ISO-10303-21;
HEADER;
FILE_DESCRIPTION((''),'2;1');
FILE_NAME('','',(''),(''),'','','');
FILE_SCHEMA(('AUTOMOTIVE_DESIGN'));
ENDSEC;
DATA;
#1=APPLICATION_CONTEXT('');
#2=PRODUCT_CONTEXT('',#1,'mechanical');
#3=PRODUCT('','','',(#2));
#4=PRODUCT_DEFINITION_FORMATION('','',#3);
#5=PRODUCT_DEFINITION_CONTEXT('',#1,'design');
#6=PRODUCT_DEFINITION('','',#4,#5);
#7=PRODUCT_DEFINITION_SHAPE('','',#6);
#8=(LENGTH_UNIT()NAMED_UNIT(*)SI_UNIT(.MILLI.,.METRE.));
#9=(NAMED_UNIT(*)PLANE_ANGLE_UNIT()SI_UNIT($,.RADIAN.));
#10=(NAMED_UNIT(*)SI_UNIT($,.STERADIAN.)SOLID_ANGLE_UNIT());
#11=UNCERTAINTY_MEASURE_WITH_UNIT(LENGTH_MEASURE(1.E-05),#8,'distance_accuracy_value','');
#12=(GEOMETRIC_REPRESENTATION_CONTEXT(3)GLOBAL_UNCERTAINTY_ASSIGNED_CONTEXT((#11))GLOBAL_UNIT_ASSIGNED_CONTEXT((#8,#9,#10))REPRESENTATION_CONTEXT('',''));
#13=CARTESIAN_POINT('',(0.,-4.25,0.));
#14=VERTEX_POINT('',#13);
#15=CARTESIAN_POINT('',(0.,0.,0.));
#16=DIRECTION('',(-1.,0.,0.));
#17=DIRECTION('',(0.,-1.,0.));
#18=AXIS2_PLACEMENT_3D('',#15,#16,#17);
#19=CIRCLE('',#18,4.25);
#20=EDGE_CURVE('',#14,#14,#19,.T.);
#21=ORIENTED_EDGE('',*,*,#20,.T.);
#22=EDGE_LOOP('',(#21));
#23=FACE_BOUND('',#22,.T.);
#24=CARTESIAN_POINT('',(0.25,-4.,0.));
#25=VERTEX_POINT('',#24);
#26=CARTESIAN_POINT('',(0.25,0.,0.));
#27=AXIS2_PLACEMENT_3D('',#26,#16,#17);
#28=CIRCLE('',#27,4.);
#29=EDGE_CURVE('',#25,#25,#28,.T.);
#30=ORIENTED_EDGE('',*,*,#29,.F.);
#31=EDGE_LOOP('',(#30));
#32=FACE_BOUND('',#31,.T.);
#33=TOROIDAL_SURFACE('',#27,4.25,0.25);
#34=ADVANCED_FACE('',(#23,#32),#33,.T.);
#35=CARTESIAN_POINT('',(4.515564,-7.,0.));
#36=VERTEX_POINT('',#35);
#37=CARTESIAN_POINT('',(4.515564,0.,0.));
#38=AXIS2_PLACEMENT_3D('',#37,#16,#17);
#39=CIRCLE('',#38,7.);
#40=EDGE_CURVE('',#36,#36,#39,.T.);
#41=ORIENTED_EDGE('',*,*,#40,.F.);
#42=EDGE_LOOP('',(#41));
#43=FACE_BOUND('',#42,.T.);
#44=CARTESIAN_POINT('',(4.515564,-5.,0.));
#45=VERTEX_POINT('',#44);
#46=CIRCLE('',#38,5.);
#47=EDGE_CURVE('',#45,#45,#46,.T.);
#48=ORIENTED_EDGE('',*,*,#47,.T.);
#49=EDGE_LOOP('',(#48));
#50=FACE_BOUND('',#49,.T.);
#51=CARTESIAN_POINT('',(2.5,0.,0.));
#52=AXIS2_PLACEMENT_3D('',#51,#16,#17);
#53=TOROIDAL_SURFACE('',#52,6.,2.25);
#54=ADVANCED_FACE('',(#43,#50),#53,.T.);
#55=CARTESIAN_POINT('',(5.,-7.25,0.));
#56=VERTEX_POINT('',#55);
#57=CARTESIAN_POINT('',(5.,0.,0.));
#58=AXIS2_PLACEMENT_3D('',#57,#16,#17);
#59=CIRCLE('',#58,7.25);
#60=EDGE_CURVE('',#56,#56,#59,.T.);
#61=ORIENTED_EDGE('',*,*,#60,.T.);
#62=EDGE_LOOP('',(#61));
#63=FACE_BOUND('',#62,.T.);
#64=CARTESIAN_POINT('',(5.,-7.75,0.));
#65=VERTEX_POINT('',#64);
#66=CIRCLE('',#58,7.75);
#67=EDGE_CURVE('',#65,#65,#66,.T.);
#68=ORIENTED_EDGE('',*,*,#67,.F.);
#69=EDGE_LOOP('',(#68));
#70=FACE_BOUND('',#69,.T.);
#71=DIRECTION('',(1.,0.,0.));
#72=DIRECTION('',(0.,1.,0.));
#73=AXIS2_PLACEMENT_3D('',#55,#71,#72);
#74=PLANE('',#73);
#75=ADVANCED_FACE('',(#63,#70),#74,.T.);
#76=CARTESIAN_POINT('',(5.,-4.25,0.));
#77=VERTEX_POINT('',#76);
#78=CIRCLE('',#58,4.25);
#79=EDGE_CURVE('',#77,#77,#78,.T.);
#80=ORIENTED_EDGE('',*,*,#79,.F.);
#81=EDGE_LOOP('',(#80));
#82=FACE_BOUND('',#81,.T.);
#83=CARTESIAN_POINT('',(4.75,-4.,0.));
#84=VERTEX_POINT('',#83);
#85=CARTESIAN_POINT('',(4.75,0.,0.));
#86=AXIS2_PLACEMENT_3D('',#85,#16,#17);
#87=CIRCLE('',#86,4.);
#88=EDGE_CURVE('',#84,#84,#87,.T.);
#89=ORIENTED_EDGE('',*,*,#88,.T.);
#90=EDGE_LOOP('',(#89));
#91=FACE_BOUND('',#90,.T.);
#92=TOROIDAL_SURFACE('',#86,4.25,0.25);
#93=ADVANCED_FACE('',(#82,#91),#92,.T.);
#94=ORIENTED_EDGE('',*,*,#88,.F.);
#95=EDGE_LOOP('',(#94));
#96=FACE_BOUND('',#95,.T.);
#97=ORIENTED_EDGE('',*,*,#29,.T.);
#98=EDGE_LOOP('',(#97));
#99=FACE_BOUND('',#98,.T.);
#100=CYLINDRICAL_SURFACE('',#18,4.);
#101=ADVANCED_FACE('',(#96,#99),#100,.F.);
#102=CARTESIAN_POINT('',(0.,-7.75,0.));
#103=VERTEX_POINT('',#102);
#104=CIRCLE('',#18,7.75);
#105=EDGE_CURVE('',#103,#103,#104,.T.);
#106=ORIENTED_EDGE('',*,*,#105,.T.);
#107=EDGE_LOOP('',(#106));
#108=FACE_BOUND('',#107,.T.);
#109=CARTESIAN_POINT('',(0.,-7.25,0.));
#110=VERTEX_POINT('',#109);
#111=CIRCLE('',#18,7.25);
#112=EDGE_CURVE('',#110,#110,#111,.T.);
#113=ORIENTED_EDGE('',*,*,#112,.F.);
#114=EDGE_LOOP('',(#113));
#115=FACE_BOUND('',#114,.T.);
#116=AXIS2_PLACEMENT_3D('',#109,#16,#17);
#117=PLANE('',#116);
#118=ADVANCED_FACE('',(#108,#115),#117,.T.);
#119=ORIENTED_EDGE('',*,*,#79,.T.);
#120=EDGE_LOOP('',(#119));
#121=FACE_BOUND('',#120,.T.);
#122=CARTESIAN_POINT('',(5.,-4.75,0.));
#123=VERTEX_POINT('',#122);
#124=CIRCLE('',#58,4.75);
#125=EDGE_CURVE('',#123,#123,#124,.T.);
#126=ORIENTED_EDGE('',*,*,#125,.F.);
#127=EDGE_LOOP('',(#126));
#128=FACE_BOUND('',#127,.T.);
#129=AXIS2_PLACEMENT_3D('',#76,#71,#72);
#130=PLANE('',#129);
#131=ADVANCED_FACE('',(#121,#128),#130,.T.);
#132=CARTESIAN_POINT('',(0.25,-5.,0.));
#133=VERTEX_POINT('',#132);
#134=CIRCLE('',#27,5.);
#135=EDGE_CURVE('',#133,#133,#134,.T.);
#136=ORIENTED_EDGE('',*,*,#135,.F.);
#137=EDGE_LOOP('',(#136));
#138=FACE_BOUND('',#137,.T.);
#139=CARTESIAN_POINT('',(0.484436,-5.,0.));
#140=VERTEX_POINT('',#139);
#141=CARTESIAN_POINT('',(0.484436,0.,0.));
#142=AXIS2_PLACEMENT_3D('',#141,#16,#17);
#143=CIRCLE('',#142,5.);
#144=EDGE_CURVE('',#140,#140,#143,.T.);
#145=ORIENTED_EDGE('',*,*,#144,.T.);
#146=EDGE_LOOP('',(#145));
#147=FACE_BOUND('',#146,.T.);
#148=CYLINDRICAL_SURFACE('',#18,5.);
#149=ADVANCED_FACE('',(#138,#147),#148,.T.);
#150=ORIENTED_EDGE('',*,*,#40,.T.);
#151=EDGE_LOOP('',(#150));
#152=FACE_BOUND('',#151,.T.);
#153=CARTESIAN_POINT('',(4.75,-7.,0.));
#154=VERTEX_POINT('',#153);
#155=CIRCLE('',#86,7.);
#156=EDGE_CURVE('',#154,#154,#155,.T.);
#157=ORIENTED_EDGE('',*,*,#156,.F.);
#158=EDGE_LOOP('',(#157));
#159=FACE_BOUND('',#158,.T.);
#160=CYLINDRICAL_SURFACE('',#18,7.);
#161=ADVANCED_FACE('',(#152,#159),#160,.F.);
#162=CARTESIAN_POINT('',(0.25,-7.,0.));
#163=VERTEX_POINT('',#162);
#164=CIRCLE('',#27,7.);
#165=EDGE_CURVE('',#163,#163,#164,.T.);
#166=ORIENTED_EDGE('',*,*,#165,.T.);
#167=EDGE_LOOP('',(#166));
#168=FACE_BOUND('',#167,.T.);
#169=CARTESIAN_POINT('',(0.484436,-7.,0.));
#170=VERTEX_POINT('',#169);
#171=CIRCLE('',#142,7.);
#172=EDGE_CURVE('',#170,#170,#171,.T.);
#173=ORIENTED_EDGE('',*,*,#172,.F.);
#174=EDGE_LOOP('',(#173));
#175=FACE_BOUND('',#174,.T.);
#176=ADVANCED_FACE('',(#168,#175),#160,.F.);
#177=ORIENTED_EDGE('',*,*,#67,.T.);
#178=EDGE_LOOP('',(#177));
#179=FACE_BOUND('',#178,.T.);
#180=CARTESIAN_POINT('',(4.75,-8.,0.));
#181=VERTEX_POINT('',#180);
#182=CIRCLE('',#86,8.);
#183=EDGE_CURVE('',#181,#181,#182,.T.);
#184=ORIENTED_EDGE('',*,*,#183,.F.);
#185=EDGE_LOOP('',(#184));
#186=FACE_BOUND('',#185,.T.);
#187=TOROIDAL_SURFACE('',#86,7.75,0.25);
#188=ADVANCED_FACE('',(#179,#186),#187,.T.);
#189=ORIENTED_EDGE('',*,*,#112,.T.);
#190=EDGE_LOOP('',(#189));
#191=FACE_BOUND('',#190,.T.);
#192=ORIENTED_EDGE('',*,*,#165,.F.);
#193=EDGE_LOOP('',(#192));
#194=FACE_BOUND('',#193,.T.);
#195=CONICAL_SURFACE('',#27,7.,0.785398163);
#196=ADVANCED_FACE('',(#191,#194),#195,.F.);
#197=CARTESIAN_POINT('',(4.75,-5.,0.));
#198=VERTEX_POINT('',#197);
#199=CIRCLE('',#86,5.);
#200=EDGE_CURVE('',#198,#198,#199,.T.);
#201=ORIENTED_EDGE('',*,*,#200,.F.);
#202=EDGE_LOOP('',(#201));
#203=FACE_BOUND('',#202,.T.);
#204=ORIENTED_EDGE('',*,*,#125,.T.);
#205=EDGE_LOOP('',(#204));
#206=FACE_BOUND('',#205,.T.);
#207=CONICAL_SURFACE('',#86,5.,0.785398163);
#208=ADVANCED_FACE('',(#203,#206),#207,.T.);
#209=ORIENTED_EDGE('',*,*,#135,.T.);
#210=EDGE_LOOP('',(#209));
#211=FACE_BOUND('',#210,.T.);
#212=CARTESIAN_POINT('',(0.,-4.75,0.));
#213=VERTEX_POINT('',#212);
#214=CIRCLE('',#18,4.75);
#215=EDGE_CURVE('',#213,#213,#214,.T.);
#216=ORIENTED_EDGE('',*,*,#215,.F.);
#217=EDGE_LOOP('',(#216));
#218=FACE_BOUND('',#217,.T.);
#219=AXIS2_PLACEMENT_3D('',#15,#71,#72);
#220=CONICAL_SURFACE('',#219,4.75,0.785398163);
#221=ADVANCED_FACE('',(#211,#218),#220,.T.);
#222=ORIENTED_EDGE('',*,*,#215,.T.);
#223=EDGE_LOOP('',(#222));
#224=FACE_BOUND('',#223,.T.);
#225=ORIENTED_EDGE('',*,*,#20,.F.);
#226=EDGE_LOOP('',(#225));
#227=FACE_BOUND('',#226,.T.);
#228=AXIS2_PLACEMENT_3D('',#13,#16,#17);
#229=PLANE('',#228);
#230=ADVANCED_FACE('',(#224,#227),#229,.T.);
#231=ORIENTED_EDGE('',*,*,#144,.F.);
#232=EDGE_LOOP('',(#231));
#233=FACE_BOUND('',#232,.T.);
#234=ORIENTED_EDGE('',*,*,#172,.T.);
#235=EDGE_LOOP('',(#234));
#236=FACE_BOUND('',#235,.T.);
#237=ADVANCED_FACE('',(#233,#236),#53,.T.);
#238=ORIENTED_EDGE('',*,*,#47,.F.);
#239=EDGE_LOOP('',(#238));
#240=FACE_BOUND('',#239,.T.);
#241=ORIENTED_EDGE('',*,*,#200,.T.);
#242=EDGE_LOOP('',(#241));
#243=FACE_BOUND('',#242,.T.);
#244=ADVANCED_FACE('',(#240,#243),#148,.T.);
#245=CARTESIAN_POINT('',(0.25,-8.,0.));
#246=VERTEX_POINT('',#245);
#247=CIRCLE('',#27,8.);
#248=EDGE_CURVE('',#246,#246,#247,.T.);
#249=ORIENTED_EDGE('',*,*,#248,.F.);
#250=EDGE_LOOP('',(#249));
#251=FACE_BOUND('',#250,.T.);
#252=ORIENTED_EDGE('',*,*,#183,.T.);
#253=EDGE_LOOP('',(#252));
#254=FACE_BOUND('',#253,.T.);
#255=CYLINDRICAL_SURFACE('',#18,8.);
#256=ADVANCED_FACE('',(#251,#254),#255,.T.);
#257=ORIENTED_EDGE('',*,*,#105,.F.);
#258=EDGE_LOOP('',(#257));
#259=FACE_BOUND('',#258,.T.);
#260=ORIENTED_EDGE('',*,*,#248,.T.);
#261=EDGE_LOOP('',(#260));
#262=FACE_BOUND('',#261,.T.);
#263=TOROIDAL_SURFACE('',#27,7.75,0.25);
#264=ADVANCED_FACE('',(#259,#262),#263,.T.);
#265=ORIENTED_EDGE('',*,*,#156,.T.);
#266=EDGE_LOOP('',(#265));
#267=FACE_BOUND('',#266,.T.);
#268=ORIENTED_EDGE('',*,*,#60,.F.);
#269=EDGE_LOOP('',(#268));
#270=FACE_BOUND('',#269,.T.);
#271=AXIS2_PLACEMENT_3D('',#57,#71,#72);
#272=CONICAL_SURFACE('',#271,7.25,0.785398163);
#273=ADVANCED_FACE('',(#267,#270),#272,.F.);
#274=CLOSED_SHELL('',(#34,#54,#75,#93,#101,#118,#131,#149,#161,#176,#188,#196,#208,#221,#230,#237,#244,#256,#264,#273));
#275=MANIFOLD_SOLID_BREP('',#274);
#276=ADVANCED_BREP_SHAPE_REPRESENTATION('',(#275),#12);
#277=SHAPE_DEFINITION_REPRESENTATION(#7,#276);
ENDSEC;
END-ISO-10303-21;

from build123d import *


with BuildPart() as part:
    # Sketch1 → Revolve1 (revolve)
    with BuildSketch(Plane.XY):
        with BuildLine():
            Line((0, -4.25), (0, -4.75))
            Line((0, -4.75), (0.25, -5))
            Line((0.25, -5), (0.484435563, -5))
            ThreePointArc((0.484435563, -5), (0.25, -6), (0.484435563, -7))
            Line((0.484435563, -7), (0.25, -7))
            Line((0.25, -7), (0, -7.25))
            Line((0, -7.25), (0, -7.75))
            ThreePointArc((0, -7.75), (0.073223305, -7.926776695), (0.25, -8))
            Line((0.25, -8), (4.75, -8))
            ThreePointArc((4.75, -8), (4.926776695, -7.926776695), (5, -7.75))
            Line((5, -7.75), (5, -7.25))
            Line((5, -7.25), (4.75, -7))
            Line((4.75, -7), (4.515564437, -7))
            ThreePointArc((4.515564437, -7), (4.75, -6), (4.515564437, -5))
            Line((4.515564437, -5), (4.75, -5))
            Line((4.75, -5), (5, -4.75))
            Line((5, -4.75), (5, -4.25))
            ThreePointArc((5, -4.25), (4.926776695, -4.073223305), (4.75, -4))
            Line((4.75, -4), (0.25, -4))
            ThreePointArc((0.25, -4), (0.073223305, -4.073223305), (0, -4.25))
        make_face()
    revolve(axis=Axis((0, 0, 0), (1, 0, 0)))


solid = part.part
